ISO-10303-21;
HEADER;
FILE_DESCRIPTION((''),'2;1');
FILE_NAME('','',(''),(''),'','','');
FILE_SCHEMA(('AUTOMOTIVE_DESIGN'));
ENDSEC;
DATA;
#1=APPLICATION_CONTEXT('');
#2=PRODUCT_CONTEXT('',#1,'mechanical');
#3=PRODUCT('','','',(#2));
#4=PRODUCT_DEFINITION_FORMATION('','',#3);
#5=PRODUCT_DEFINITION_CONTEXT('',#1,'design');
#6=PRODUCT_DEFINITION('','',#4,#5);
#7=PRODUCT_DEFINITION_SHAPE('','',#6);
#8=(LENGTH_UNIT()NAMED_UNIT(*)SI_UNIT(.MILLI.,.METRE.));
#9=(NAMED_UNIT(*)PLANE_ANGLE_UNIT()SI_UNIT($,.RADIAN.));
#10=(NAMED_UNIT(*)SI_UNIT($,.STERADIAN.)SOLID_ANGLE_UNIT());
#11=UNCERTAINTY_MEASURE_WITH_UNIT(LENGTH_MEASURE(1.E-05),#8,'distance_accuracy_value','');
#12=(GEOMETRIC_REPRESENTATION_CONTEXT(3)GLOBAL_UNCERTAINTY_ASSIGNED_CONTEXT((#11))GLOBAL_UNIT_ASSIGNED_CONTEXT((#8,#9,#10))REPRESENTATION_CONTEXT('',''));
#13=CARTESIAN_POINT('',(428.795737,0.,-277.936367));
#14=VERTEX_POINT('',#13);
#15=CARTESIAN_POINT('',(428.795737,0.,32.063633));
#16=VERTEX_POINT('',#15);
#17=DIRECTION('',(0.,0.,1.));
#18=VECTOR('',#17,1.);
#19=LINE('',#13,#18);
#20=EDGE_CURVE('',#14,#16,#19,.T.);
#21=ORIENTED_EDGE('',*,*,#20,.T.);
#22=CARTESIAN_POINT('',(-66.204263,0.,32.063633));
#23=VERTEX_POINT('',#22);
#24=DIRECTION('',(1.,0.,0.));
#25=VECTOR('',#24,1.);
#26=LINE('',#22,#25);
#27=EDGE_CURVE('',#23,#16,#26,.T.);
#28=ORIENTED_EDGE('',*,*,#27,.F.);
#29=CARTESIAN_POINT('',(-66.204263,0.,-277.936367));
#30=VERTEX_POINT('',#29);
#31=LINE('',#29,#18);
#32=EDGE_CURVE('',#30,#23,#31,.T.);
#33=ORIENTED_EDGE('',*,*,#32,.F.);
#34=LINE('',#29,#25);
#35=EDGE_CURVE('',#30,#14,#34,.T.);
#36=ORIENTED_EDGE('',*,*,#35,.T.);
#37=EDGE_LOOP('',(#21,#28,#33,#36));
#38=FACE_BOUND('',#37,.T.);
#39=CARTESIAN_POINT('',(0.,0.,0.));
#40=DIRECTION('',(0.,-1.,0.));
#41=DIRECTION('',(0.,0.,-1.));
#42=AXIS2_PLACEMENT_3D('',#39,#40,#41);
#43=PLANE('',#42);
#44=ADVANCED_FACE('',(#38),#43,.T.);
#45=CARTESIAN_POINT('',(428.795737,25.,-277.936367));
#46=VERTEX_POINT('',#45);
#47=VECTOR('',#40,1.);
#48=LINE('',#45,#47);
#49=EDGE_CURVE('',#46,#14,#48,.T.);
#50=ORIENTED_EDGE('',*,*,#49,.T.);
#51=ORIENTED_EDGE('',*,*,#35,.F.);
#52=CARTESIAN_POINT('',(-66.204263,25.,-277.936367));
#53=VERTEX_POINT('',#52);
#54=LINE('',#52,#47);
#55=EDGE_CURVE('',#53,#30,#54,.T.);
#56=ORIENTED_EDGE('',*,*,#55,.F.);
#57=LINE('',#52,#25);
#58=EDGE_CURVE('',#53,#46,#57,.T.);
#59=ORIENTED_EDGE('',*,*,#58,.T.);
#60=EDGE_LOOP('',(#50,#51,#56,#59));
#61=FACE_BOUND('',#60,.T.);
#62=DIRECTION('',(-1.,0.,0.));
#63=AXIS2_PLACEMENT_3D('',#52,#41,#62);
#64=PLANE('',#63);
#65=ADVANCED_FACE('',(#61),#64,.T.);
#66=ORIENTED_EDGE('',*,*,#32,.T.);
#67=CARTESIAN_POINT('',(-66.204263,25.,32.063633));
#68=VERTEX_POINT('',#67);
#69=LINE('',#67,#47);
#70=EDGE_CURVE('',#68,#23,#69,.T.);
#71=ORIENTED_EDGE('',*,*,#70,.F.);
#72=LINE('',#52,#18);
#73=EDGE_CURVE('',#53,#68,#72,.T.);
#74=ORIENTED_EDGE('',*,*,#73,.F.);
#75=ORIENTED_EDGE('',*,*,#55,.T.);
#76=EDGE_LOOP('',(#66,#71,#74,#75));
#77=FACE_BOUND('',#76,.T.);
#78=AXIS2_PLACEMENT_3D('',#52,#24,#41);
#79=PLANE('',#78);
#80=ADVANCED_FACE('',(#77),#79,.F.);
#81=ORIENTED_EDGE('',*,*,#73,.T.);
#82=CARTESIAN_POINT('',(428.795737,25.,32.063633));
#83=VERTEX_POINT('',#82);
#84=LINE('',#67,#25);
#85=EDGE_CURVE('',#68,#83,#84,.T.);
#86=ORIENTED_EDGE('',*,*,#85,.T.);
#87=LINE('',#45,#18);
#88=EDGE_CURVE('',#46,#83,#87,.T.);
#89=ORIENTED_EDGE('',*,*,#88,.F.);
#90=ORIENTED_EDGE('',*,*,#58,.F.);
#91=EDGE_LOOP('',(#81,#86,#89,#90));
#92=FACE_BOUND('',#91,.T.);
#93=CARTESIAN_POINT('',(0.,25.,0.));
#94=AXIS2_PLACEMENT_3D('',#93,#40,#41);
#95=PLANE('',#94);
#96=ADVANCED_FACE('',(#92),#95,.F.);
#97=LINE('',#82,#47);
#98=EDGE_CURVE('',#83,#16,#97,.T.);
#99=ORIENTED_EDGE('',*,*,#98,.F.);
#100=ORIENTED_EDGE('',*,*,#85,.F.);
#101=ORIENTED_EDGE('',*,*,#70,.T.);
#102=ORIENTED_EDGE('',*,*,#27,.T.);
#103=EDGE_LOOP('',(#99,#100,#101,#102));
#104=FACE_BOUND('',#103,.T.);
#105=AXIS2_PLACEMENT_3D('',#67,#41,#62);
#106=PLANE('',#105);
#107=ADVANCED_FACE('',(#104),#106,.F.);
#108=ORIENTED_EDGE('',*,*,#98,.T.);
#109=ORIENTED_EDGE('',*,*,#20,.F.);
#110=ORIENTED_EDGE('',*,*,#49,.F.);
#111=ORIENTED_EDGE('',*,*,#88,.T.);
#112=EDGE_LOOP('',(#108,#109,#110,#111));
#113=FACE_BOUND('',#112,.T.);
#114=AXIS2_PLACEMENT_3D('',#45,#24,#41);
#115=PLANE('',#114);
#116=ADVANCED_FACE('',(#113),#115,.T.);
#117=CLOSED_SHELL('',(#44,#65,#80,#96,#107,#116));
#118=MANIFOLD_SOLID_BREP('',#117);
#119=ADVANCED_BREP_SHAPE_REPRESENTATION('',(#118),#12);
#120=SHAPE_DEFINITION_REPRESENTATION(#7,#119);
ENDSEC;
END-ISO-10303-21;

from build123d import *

# Parameters (mm, degrees)
SKETCH_2_W      = 495
SKETCH_2_H      = 310
EXTRUDE_2_DEPTH = 25


with BuildPart() as part:
    # Эскиз2 → Бобышка-Вытянуть2 (new body)
    with BuildSketch(Plane(origin=(0, 0, 0), x_dir=(1, 0, 0), z_dir=(0, 1, 0))):
        with Locations((181.295736557, 122.936366529)):
            Rectangle(SKETCH_2_W, SKETCH_2_H)
    extrude(amount=EXTRUDE_2_DEPTH)


solid = part.part
